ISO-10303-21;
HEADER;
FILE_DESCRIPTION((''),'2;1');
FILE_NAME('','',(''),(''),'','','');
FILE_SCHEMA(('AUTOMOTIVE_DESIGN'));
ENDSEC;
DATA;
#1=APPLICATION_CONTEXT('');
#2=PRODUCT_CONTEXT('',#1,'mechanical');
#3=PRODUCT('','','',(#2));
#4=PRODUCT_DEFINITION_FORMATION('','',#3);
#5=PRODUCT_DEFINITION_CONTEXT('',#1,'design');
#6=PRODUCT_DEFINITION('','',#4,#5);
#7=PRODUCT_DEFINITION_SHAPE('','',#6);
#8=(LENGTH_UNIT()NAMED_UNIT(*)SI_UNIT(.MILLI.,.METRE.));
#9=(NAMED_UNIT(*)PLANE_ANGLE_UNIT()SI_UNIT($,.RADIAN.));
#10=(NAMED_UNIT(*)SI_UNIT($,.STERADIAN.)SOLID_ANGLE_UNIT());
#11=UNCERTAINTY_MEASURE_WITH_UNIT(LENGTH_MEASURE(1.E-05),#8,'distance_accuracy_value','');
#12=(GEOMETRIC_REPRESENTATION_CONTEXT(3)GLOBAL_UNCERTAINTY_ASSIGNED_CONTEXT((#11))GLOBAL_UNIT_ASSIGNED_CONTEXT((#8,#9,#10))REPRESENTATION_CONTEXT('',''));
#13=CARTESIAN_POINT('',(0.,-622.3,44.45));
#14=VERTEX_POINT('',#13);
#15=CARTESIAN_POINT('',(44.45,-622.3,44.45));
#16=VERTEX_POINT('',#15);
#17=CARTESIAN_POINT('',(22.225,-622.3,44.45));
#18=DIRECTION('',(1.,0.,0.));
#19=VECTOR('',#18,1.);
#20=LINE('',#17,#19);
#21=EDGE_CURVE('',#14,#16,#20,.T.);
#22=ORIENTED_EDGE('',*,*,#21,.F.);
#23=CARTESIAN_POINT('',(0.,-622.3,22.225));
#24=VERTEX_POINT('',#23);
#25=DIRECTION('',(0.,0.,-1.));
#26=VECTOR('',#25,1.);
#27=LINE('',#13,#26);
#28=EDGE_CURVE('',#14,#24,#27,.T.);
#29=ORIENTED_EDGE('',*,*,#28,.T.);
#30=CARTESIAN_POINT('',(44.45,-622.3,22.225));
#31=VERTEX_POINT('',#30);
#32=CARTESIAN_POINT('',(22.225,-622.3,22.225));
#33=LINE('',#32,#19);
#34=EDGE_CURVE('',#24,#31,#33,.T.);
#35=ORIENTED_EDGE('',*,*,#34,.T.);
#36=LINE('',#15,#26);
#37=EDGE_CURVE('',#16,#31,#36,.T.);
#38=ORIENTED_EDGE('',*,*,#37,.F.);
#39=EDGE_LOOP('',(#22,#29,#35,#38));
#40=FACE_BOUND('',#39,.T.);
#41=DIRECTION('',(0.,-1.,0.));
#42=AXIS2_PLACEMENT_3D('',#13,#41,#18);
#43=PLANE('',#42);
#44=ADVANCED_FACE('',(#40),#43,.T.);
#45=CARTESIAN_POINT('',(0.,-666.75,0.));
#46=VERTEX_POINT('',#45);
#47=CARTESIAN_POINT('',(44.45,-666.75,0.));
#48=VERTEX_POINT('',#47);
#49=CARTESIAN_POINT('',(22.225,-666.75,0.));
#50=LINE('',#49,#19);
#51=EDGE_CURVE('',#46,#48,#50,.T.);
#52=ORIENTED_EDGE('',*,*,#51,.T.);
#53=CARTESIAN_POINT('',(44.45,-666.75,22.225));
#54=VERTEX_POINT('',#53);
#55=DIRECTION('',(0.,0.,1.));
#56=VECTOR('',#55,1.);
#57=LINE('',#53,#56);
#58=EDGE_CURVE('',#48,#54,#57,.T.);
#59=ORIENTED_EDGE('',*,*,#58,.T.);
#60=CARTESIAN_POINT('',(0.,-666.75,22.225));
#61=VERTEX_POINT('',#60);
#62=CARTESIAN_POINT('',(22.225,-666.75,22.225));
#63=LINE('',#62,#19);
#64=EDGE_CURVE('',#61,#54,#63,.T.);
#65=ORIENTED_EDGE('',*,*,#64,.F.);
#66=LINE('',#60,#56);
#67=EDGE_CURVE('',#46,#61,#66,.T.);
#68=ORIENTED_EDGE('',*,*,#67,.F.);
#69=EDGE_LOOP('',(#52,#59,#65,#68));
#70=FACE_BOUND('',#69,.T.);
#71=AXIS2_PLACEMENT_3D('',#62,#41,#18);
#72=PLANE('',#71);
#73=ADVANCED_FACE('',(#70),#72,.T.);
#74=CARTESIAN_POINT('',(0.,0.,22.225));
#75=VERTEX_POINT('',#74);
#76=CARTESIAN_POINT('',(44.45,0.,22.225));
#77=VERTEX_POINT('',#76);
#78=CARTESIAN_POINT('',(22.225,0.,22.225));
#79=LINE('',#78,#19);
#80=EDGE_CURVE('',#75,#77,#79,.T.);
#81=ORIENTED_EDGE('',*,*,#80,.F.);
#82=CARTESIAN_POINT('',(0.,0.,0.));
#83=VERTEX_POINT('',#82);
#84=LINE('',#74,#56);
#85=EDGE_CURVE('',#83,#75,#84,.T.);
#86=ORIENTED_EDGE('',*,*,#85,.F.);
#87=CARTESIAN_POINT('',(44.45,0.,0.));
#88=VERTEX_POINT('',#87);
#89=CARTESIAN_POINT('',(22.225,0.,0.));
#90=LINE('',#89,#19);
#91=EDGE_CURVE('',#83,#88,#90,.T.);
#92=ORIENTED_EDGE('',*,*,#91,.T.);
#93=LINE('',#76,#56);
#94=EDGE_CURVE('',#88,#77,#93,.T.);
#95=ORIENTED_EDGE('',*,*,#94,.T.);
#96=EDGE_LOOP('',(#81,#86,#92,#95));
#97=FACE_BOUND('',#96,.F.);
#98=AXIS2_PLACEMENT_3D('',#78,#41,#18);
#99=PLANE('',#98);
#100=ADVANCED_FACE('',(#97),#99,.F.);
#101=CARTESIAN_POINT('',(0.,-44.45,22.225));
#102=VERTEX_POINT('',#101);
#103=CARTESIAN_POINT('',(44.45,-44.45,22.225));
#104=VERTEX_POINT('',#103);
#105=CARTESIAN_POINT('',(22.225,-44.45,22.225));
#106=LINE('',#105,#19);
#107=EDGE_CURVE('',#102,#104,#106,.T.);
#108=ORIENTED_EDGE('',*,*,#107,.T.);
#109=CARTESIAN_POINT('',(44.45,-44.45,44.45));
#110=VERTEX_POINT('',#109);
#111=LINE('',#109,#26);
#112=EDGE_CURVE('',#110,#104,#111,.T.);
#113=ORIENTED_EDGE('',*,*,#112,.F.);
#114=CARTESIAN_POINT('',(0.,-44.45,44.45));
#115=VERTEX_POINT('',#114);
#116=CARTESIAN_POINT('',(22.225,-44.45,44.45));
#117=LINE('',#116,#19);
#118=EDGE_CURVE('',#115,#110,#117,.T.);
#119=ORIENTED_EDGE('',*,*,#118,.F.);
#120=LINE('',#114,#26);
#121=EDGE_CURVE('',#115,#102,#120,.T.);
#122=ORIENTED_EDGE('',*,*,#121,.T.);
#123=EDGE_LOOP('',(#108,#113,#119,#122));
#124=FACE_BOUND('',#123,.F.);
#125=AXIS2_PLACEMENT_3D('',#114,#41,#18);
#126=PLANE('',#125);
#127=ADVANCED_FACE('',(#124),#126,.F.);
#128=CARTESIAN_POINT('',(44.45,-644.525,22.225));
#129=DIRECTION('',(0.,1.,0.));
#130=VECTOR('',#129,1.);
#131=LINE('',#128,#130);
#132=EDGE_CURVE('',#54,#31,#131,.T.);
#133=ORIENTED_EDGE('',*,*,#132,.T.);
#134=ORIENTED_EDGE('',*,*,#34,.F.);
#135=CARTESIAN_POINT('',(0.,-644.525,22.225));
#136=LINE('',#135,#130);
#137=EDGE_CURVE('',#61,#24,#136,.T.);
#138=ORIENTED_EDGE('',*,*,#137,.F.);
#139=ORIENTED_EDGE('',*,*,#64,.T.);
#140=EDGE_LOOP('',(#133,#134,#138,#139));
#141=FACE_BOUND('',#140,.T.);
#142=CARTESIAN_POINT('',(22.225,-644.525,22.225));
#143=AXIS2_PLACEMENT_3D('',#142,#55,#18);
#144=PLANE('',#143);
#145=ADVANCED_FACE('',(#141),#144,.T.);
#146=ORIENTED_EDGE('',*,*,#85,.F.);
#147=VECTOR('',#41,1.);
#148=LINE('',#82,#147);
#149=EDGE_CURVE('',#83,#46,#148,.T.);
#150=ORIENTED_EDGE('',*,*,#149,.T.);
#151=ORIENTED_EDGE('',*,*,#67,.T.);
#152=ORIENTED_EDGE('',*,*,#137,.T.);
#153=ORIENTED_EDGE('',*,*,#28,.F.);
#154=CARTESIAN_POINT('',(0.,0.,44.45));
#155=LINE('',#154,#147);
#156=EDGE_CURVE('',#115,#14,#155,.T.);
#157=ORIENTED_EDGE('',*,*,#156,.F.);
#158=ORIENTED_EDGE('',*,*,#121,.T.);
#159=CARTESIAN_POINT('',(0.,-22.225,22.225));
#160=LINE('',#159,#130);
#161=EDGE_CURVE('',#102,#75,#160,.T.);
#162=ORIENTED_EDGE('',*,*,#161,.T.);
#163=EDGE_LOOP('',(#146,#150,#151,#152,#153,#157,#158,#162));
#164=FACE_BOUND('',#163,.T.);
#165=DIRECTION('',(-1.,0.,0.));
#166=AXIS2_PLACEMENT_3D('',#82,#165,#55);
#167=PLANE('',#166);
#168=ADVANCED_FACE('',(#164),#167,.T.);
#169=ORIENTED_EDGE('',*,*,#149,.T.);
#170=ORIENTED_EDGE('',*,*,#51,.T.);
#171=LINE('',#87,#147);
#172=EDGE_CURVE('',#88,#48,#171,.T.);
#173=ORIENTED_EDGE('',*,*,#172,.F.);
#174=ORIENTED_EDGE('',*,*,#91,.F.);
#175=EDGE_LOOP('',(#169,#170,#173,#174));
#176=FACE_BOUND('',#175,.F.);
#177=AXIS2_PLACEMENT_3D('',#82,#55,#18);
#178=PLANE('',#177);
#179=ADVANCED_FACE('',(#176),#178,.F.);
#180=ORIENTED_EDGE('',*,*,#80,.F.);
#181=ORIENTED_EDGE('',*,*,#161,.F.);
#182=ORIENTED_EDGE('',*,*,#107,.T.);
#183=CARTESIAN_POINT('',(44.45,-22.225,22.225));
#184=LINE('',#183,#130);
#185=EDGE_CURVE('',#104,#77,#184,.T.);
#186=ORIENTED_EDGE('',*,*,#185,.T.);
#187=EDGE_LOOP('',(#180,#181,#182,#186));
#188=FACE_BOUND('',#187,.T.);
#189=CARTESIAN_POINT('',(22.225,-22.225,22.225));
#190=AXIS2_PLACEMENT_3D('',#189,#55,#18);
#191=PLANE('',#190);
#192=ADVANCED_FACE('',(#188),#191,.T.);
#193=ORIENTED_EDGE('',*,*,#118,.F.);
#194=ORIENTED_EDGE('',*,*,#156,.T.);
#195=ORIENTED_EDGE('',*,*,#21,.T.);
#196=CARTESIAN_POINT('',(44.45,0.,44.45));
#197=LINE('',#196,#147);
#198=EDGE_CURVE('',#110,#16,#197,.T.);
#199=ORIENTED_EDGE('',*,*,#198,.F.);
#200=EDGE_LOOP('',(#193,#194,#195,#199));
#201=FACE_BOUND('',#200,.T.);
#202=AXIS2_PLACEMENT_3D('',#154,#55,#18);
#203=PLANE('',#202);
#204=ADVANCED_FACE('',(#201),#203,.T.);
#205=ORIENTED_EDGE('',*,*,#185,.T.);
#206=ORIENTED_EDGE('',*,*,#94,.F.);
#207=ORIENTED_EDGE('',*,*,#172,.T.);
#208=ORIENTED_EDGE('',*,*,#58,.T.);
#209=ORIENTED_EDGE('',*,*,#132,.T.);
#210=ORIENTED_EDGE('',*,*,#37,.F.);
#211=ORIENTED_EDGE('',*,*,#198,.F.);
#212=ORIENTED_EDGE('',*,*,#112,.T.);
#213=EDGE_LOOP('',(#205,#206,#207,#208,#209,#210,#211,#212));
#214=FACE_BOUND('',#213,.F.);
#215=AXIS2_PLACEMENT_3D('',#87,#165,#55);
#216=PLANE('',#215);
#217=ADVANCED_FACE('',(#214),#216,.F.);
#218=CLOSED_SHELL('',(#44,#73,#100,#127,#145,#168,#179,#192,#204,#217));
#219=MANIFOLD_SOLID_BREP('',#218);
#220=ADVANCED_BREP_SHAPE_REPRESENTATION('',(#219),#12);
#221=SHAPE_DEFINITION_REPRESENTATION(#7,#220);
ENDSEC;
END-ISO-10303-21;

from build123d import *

# Parameters (mm, degrees)
F0_W     = 44.45
F0_H     = 44.45
F1_DEPTH = 666.75
F2_W     = 44.45
F2_H     = 44.45
F3_DEPTH = 22.225


with BuildPart() as f1:
    # F0 (on Front) → F1 (new body)
    with BuildSketch(Plane.XZ):
        with Locations((22.225, 22.225)):
            Rectangle(F0_W, F0_H)
    extrude(amount=F1_DEPTH)

    # F2 (on face) → F3 (cut)
    with BuildSketch(Plane.XY.offset(44.45)):
        with Locations((22.225, -644.525)):
            Rectangle(F2_W, F2_H)
        with Locations((22.225, -22.225)):
            Rectangle(F2_W, F2_H)
    extrude(amount=-F3_DEPTH, mode=Mode.SUBTRACT)


solid = f1.part
